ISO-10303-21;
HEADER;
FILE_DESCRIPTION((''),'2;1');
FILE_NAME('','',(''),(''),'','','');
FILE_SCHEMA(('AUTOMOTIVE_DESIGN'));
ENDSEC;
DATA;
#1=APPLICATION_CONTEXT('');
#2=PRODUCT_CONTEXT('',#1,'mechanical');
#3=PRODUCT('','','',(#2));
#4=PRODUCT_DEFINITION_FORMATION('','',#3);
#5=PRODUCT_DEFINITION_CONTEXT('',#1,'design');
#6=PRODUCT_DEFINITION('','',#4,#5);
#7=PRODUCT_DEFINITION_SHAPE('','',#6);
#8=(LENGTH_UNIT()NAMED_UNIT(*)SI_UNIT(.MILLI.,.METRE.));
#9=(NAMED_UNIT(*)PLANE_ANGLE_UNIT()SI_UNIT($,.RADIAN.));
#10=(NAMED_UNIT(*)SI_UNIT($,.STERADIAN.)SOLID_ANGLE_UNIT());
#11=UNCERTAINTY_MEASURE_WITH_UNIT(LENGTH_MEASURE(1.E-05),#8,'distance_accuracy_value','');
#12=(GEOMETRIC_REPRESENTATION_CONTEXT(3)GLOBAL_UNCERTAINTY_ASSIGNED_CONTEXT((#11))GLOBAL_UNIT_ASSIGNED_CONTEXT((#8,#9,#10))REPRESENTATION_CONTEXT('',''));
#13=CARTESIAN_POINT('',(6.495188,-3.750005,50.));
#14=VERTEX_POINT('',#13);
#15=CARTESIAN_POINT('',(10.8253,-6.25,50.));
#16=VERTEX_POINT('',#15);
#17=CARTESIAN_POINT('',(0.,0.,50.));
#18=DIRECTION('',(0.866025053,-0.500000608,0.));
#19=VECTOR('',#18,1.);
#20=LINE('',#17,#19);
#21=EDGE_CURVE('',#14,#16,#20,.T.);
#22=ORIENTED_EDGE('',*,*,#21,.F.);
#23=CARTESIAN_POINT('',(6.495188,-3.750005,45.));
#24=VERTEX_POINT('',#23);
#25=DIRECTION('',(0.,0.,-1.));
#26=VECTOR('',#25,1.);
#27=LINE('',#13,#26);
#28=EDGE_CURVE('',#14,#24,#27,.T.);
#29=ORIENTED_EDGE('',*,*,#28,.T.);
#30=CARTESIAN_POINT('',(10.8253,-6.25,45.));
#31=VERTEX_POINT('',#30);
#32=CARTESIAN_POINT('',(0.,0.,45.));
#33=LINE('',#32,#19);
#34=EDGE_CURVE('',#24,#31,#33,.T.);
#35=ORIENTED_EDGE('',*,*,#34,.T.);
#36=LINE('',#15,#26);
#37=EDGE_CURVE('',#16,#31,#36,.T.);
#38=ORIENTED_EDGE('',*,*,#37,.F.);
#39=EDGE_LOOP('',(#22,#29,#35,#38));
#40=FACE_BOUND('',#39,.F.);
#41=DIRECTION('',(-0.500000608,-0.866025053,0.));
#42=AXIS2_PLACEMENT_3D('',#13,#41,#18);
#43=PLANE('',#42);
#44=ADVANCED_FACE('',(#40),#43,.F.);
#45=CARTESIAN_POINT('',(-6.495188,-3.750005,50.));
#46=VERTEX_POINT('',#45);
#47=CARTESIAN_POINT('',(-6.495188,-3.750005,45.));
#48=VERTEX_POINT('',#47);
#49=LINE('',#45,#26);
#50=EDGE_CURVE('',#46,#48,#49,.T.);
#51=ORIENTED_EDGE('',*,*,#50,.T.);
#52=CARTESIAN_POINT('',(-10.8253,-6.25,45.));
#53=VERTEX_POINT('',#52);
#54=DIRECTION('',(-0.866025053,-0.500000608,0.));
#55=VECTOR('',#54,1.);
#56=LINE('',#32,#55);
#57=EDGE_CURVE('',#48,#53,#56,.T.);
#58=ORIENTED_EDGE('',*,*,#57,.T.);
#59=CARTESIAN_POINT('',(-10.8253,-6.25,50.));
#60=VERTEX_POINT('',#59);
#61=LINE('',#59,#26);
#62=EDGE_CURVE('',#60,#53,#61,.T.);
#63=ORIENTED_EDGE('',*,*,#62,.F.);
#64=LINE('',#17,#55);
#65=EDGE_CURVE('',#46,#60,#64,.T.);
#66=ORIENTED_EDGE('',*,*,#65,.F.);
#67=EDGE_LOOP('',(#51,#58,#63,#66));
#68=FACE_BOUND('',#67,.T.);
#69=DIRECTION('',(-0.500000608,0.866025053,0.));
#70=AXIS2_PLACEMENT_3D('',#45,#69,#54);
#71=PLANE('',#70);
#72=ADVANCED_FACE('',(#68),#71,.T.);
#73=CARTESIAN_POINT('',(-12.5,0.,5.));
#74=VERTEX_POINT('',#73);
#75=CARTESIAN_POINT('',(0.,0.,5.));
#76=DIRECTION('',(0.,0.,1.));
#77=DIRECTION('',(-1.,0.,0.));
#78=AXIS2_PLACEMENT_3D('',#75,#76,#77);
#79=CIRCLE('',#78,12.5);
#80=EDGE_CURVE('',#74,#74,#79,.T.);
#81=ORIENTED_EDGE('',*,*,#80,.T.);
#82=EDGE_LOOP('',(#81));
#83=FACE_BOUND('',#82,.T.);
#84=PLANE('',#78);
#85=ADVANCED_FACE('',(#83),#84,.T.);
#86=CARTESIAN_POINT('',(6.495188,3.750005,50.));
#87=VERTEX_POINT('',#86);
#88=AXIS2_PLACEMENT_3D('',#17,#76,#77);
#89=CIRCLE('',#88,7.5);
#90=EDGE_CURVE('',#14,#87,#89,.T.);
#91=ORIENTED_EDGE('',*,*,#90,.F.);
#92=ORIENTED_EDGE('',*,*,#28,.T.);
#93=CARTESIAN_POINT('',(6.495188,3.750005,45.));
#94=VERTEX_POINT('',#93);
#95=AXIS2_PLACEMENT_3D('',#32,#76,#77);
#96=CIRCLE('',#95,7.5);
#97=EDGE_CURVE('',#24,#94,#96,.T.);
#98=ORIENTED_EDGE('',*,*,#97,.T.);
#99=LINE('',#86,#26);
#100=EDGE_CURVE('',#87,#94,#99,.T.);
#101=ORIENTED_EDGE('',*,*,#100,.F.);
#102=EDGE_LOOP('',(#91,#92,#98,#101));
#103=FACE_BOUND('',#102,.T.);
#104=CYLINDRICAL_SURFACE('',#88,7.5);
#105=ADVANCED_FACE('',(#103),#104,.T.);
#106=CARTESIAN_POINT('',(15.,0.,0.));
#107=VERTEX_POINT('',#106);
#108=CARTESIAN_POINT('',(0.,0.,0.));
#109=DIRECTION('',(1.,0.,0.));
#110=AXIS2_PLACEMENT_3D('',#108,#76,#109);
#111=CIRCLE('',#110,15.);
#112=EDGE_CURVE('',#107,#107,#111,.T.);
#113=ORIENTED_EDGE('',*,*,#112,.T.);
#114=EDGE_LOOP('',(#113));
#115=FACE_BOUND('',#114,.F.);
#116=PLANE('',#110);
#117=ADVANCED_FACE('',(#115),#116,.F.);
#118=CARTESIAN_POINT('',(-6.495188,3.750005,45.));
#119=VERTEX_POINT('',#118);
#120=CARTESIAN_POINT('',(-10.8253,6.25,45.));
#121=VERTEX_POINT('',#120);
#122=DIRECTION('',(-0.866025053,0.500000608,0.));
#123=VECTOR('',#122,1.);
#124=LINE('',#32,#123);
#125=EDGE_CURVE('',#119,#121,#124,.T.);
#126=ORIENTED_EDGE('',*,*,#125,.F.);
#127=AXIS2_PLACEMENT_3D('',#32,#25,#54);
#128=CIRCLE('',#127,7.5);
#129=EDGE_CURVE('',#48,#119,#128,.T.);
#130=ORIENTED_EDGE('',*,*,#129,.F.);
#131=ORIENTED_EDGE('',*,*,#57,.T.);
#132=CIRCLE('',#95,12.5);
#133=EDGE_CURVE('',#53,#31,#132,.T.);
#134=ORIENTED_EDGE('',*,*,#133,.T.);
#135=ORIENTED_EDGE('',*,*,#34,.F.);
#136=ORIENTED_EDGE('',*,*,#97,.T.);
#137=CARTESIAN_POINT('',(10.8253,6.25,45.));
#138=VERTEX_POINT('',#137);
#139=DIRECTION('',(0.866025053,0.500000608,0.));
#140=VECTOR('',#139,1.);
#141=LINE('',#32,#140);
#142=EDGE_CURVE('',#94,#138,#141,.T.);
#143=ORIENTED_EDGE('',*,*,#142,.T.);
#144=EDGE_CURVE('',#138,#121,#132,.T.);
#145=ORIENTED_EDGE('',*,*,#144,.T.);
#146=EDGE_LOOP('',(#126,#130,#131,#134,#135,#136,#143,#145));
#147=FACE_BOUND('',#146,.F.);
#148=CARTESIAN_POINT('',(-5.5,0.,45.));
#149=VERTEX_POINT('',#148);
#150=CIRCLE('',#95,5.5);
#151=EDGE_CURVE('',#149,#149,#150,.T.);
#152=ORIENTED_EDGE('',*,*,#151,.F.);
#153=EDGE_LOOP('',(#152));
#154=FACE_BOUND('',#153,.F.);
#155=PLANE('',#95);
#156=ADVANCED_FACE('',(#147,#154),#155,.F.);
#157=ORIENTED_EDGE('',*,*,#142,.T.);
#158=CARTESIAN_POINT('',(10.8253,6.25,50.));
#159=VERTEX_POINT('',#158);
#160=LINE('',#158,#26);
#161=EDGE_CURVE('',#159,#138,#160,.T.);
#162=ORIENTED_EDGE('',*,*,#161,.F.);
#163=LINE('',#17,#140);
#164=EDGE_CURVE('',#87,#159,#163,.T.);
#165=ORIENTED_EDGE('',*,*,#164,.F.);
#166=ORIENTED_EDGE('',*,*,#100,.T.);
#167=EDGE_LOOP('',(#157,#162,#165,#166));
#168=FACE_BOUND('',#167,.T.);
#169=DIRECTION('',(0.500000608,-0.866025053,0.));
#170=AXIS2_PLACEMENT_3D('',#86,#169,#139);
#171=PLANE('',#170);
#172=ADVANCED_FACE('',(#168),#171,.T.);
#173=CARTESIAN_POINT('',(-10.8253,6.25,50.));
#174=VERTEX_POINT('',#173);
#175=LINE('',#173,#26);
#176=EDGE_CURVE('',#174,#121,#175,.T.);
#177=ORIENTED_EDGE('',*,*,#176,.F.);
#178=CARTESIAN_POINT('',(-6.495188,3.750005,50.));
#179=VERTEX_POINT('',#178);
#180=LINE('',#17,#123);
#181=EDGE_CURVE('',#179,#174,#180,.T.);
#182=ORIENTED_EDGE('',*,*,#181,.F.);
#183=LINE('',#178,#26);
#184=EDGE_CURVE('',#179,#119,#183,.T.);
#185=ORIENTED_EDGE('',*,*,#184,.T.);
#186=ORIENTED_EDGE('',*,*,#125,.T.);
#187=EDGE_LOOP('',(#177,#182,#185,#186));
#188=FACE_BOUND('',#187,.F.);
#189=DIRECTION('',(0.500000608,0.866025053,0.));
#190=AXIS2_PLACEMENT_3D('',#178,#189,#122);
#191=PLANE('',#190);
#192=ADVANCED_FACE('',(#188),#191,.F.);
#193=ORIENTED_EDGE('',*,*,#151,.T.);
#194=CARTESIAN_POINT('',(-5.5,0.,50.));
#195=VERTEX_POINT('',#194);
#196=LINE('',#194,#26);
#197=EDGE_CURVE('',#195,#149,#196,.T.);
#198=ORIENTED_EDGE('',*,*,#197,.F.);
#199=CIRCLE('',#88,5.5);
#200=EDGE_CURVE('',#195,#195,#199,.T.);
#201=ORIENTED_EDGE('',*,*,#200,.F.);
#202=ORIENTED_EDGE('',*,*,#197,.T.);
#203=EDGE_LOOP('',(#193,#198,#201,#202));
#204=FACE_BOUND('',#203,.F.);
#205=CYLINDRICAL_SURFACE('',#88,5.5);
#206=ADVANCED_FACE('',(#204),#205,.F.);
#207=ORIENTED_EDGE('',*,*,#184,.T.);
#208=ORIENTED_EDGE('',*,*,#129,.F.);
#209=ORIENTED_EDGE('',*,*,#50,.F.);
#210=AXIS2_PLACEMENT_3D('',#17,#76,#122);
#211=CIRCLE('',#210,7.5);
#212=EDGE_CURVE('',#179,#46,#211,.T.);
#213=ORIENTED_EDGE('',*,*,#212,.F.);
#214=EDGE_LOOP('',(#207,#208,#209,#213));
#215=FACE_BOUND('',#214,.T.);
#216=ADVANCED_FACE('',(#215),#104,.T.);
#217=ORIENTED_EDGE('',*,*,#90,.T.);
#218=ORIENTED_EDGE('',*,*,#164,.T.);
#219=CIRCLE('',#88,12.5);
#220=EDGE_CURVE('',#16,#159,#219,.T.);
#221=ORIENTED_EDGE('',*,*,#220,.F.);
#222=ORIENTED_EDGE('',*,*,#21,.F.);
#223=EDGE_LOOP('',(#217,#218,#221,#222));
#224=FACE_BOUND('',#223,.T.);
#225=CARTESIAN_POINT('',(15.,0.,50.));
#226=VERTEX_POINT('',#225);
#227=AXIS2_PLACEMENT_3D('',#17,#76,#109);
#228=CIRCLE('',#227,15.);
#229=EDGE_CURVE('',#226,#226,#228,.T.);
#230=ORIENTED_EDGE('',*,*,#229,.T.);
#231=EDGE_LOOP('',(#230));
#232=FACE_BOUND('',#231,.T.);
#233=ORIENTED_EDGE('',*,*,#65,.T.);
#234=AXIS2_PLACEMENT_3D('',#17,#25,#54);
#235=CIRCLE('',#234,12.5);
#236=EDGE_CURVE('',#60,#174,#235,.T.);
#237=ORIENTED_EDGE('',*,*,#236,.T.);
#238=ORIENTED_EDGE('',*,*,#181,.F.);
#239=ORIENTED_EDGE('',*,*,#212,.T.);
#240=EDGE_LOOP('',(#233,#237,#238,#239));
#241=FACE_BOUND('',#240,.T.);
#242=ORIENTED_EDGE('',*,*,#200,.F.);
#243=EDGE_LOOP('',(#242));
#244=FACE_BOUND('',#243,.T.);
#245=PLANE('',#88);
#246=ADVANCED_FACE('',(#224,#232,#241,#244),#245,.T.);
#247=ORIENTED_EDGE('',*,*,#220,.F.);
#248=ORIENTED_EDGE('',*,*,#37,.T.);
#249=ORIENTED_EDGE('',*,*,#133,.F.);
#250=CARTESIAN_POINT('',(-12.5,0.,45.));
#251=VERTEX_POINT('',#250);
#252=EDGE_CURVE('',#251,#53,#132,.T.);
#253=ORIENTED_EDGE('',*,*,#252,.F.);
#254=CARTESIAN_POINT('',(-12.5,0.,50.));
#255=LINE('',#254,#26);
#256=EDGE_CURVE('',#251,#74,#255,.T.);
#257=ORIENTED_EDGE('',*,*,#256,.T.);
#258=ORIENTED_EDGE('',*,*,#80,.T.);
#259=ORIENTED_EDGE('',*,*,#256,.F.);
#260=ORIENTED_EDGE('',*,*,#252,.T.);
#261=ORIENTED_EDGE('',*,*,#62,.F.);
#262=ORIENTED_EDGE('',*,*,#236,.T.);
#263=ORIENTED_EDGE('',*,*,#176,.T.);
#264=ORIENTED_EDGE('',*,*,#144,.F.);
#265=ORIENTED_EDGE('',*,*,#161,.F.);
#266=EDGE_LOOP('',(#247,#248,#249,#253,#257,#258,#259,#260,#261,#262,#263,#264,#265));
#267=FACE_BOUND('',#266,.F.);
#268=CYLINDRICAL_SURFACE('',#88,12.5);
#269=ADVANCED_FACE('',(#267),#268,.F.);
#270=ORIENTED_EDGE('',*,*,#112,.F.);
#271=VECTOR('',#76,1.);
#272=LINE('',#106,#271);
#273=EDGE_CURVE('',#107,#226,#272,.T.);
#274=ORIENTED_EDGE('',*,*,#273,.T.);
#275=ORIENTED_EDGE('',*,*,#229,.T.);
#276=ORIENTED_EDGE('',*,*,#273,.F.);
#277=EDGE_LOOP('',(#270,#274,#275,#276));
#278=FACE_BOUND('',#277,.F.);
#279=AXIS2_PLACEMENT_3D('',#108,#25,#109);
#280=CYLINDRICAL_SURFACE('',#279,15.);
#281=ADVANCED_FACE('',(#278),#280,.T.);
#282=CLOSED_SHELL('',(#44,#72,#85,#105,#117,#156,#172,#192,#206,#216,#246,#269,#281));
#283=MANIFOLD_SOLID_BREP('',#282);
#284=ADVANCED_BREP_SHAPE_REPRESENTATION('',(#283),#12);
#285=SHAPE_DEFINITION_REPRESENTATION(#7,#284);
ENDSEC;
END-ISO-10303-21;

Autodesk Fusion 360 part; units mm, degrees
sketch "Sketch1" plane through (0, 0, 0) normal (0, 0, 1) x (1, 0, 0)
  circle A0 centre (0, 0) radius 15
  dimension "d2" = 30
extrude "Extrude1" add sketch "Sketch1" along normal blind 50
sketch "Sketch2" plane through (0, 0, 50) normal (0, 0, 1) x (-1, 0, 0)
  circle A0 centre (0, 0) radius 15
  circle A1 centre (0, 0) radius 12.5
  dimension "d5" = 25
extrude "Extrude2" cut sketch "Sketch2" against normal blind 45 contours A1
sketch "Sketch4" plane through (0, 0, 50) normal (0, 0, 1) x (-1, 0, 0)
  circle A0 centre (0, 0) radius 12.5
  circle A1 centre (0, 0) radius 15
  circle A2 centre (0, 0) radius 15
  circle A3 centre (0, 0) radius 5.5
  dimension "d8" = 11
extrude "Extrude3" add sketch "Sketch4" against normal blind 5 contours A0
sketch "Sketch5" plane through (0, 0, 50) normal (0, 0, 1) x (-1, 0, 0)
  circle A0 centre (0, 0) radius 5.5
  circle A1 centre (0, 0) radius 15
  circle A2 centre (0, 0) radius 12.5
  circle A3 centre (0, 0) radius 7.5
  line L0 (0, 0) -> (12.5, 0) construction
  line L1 (0, 0) -> (-10.8253, 6.25)
  line L2 (0, 0) -> (12.5, 0) construction
  line L3 (0, 0) -> (-10.8253, -6.25)
  line L4 (0, 0) -> (12.5, 0) construction
  line L5 (0, 0) -> (10.8253, 6.25)
  line L6 (-10.8253, 6.25) -> (14.1746, 6.25) construction
  line L7 (0, 0) -> (10.8253, -6.25)
  line L8 (0, 0) -> (12.5, 0) construction
  dimension "d11" = 25
  dimension "d12" = 15
  dimension "d14" = 150
  dimension "d15" = 150
  dimension "d18" = 30
extrude "Extrude4" cut sketch "Sketch5" against normal blind 5 contours A2 A3 L5 L7 | A2 A3 L1 L3
